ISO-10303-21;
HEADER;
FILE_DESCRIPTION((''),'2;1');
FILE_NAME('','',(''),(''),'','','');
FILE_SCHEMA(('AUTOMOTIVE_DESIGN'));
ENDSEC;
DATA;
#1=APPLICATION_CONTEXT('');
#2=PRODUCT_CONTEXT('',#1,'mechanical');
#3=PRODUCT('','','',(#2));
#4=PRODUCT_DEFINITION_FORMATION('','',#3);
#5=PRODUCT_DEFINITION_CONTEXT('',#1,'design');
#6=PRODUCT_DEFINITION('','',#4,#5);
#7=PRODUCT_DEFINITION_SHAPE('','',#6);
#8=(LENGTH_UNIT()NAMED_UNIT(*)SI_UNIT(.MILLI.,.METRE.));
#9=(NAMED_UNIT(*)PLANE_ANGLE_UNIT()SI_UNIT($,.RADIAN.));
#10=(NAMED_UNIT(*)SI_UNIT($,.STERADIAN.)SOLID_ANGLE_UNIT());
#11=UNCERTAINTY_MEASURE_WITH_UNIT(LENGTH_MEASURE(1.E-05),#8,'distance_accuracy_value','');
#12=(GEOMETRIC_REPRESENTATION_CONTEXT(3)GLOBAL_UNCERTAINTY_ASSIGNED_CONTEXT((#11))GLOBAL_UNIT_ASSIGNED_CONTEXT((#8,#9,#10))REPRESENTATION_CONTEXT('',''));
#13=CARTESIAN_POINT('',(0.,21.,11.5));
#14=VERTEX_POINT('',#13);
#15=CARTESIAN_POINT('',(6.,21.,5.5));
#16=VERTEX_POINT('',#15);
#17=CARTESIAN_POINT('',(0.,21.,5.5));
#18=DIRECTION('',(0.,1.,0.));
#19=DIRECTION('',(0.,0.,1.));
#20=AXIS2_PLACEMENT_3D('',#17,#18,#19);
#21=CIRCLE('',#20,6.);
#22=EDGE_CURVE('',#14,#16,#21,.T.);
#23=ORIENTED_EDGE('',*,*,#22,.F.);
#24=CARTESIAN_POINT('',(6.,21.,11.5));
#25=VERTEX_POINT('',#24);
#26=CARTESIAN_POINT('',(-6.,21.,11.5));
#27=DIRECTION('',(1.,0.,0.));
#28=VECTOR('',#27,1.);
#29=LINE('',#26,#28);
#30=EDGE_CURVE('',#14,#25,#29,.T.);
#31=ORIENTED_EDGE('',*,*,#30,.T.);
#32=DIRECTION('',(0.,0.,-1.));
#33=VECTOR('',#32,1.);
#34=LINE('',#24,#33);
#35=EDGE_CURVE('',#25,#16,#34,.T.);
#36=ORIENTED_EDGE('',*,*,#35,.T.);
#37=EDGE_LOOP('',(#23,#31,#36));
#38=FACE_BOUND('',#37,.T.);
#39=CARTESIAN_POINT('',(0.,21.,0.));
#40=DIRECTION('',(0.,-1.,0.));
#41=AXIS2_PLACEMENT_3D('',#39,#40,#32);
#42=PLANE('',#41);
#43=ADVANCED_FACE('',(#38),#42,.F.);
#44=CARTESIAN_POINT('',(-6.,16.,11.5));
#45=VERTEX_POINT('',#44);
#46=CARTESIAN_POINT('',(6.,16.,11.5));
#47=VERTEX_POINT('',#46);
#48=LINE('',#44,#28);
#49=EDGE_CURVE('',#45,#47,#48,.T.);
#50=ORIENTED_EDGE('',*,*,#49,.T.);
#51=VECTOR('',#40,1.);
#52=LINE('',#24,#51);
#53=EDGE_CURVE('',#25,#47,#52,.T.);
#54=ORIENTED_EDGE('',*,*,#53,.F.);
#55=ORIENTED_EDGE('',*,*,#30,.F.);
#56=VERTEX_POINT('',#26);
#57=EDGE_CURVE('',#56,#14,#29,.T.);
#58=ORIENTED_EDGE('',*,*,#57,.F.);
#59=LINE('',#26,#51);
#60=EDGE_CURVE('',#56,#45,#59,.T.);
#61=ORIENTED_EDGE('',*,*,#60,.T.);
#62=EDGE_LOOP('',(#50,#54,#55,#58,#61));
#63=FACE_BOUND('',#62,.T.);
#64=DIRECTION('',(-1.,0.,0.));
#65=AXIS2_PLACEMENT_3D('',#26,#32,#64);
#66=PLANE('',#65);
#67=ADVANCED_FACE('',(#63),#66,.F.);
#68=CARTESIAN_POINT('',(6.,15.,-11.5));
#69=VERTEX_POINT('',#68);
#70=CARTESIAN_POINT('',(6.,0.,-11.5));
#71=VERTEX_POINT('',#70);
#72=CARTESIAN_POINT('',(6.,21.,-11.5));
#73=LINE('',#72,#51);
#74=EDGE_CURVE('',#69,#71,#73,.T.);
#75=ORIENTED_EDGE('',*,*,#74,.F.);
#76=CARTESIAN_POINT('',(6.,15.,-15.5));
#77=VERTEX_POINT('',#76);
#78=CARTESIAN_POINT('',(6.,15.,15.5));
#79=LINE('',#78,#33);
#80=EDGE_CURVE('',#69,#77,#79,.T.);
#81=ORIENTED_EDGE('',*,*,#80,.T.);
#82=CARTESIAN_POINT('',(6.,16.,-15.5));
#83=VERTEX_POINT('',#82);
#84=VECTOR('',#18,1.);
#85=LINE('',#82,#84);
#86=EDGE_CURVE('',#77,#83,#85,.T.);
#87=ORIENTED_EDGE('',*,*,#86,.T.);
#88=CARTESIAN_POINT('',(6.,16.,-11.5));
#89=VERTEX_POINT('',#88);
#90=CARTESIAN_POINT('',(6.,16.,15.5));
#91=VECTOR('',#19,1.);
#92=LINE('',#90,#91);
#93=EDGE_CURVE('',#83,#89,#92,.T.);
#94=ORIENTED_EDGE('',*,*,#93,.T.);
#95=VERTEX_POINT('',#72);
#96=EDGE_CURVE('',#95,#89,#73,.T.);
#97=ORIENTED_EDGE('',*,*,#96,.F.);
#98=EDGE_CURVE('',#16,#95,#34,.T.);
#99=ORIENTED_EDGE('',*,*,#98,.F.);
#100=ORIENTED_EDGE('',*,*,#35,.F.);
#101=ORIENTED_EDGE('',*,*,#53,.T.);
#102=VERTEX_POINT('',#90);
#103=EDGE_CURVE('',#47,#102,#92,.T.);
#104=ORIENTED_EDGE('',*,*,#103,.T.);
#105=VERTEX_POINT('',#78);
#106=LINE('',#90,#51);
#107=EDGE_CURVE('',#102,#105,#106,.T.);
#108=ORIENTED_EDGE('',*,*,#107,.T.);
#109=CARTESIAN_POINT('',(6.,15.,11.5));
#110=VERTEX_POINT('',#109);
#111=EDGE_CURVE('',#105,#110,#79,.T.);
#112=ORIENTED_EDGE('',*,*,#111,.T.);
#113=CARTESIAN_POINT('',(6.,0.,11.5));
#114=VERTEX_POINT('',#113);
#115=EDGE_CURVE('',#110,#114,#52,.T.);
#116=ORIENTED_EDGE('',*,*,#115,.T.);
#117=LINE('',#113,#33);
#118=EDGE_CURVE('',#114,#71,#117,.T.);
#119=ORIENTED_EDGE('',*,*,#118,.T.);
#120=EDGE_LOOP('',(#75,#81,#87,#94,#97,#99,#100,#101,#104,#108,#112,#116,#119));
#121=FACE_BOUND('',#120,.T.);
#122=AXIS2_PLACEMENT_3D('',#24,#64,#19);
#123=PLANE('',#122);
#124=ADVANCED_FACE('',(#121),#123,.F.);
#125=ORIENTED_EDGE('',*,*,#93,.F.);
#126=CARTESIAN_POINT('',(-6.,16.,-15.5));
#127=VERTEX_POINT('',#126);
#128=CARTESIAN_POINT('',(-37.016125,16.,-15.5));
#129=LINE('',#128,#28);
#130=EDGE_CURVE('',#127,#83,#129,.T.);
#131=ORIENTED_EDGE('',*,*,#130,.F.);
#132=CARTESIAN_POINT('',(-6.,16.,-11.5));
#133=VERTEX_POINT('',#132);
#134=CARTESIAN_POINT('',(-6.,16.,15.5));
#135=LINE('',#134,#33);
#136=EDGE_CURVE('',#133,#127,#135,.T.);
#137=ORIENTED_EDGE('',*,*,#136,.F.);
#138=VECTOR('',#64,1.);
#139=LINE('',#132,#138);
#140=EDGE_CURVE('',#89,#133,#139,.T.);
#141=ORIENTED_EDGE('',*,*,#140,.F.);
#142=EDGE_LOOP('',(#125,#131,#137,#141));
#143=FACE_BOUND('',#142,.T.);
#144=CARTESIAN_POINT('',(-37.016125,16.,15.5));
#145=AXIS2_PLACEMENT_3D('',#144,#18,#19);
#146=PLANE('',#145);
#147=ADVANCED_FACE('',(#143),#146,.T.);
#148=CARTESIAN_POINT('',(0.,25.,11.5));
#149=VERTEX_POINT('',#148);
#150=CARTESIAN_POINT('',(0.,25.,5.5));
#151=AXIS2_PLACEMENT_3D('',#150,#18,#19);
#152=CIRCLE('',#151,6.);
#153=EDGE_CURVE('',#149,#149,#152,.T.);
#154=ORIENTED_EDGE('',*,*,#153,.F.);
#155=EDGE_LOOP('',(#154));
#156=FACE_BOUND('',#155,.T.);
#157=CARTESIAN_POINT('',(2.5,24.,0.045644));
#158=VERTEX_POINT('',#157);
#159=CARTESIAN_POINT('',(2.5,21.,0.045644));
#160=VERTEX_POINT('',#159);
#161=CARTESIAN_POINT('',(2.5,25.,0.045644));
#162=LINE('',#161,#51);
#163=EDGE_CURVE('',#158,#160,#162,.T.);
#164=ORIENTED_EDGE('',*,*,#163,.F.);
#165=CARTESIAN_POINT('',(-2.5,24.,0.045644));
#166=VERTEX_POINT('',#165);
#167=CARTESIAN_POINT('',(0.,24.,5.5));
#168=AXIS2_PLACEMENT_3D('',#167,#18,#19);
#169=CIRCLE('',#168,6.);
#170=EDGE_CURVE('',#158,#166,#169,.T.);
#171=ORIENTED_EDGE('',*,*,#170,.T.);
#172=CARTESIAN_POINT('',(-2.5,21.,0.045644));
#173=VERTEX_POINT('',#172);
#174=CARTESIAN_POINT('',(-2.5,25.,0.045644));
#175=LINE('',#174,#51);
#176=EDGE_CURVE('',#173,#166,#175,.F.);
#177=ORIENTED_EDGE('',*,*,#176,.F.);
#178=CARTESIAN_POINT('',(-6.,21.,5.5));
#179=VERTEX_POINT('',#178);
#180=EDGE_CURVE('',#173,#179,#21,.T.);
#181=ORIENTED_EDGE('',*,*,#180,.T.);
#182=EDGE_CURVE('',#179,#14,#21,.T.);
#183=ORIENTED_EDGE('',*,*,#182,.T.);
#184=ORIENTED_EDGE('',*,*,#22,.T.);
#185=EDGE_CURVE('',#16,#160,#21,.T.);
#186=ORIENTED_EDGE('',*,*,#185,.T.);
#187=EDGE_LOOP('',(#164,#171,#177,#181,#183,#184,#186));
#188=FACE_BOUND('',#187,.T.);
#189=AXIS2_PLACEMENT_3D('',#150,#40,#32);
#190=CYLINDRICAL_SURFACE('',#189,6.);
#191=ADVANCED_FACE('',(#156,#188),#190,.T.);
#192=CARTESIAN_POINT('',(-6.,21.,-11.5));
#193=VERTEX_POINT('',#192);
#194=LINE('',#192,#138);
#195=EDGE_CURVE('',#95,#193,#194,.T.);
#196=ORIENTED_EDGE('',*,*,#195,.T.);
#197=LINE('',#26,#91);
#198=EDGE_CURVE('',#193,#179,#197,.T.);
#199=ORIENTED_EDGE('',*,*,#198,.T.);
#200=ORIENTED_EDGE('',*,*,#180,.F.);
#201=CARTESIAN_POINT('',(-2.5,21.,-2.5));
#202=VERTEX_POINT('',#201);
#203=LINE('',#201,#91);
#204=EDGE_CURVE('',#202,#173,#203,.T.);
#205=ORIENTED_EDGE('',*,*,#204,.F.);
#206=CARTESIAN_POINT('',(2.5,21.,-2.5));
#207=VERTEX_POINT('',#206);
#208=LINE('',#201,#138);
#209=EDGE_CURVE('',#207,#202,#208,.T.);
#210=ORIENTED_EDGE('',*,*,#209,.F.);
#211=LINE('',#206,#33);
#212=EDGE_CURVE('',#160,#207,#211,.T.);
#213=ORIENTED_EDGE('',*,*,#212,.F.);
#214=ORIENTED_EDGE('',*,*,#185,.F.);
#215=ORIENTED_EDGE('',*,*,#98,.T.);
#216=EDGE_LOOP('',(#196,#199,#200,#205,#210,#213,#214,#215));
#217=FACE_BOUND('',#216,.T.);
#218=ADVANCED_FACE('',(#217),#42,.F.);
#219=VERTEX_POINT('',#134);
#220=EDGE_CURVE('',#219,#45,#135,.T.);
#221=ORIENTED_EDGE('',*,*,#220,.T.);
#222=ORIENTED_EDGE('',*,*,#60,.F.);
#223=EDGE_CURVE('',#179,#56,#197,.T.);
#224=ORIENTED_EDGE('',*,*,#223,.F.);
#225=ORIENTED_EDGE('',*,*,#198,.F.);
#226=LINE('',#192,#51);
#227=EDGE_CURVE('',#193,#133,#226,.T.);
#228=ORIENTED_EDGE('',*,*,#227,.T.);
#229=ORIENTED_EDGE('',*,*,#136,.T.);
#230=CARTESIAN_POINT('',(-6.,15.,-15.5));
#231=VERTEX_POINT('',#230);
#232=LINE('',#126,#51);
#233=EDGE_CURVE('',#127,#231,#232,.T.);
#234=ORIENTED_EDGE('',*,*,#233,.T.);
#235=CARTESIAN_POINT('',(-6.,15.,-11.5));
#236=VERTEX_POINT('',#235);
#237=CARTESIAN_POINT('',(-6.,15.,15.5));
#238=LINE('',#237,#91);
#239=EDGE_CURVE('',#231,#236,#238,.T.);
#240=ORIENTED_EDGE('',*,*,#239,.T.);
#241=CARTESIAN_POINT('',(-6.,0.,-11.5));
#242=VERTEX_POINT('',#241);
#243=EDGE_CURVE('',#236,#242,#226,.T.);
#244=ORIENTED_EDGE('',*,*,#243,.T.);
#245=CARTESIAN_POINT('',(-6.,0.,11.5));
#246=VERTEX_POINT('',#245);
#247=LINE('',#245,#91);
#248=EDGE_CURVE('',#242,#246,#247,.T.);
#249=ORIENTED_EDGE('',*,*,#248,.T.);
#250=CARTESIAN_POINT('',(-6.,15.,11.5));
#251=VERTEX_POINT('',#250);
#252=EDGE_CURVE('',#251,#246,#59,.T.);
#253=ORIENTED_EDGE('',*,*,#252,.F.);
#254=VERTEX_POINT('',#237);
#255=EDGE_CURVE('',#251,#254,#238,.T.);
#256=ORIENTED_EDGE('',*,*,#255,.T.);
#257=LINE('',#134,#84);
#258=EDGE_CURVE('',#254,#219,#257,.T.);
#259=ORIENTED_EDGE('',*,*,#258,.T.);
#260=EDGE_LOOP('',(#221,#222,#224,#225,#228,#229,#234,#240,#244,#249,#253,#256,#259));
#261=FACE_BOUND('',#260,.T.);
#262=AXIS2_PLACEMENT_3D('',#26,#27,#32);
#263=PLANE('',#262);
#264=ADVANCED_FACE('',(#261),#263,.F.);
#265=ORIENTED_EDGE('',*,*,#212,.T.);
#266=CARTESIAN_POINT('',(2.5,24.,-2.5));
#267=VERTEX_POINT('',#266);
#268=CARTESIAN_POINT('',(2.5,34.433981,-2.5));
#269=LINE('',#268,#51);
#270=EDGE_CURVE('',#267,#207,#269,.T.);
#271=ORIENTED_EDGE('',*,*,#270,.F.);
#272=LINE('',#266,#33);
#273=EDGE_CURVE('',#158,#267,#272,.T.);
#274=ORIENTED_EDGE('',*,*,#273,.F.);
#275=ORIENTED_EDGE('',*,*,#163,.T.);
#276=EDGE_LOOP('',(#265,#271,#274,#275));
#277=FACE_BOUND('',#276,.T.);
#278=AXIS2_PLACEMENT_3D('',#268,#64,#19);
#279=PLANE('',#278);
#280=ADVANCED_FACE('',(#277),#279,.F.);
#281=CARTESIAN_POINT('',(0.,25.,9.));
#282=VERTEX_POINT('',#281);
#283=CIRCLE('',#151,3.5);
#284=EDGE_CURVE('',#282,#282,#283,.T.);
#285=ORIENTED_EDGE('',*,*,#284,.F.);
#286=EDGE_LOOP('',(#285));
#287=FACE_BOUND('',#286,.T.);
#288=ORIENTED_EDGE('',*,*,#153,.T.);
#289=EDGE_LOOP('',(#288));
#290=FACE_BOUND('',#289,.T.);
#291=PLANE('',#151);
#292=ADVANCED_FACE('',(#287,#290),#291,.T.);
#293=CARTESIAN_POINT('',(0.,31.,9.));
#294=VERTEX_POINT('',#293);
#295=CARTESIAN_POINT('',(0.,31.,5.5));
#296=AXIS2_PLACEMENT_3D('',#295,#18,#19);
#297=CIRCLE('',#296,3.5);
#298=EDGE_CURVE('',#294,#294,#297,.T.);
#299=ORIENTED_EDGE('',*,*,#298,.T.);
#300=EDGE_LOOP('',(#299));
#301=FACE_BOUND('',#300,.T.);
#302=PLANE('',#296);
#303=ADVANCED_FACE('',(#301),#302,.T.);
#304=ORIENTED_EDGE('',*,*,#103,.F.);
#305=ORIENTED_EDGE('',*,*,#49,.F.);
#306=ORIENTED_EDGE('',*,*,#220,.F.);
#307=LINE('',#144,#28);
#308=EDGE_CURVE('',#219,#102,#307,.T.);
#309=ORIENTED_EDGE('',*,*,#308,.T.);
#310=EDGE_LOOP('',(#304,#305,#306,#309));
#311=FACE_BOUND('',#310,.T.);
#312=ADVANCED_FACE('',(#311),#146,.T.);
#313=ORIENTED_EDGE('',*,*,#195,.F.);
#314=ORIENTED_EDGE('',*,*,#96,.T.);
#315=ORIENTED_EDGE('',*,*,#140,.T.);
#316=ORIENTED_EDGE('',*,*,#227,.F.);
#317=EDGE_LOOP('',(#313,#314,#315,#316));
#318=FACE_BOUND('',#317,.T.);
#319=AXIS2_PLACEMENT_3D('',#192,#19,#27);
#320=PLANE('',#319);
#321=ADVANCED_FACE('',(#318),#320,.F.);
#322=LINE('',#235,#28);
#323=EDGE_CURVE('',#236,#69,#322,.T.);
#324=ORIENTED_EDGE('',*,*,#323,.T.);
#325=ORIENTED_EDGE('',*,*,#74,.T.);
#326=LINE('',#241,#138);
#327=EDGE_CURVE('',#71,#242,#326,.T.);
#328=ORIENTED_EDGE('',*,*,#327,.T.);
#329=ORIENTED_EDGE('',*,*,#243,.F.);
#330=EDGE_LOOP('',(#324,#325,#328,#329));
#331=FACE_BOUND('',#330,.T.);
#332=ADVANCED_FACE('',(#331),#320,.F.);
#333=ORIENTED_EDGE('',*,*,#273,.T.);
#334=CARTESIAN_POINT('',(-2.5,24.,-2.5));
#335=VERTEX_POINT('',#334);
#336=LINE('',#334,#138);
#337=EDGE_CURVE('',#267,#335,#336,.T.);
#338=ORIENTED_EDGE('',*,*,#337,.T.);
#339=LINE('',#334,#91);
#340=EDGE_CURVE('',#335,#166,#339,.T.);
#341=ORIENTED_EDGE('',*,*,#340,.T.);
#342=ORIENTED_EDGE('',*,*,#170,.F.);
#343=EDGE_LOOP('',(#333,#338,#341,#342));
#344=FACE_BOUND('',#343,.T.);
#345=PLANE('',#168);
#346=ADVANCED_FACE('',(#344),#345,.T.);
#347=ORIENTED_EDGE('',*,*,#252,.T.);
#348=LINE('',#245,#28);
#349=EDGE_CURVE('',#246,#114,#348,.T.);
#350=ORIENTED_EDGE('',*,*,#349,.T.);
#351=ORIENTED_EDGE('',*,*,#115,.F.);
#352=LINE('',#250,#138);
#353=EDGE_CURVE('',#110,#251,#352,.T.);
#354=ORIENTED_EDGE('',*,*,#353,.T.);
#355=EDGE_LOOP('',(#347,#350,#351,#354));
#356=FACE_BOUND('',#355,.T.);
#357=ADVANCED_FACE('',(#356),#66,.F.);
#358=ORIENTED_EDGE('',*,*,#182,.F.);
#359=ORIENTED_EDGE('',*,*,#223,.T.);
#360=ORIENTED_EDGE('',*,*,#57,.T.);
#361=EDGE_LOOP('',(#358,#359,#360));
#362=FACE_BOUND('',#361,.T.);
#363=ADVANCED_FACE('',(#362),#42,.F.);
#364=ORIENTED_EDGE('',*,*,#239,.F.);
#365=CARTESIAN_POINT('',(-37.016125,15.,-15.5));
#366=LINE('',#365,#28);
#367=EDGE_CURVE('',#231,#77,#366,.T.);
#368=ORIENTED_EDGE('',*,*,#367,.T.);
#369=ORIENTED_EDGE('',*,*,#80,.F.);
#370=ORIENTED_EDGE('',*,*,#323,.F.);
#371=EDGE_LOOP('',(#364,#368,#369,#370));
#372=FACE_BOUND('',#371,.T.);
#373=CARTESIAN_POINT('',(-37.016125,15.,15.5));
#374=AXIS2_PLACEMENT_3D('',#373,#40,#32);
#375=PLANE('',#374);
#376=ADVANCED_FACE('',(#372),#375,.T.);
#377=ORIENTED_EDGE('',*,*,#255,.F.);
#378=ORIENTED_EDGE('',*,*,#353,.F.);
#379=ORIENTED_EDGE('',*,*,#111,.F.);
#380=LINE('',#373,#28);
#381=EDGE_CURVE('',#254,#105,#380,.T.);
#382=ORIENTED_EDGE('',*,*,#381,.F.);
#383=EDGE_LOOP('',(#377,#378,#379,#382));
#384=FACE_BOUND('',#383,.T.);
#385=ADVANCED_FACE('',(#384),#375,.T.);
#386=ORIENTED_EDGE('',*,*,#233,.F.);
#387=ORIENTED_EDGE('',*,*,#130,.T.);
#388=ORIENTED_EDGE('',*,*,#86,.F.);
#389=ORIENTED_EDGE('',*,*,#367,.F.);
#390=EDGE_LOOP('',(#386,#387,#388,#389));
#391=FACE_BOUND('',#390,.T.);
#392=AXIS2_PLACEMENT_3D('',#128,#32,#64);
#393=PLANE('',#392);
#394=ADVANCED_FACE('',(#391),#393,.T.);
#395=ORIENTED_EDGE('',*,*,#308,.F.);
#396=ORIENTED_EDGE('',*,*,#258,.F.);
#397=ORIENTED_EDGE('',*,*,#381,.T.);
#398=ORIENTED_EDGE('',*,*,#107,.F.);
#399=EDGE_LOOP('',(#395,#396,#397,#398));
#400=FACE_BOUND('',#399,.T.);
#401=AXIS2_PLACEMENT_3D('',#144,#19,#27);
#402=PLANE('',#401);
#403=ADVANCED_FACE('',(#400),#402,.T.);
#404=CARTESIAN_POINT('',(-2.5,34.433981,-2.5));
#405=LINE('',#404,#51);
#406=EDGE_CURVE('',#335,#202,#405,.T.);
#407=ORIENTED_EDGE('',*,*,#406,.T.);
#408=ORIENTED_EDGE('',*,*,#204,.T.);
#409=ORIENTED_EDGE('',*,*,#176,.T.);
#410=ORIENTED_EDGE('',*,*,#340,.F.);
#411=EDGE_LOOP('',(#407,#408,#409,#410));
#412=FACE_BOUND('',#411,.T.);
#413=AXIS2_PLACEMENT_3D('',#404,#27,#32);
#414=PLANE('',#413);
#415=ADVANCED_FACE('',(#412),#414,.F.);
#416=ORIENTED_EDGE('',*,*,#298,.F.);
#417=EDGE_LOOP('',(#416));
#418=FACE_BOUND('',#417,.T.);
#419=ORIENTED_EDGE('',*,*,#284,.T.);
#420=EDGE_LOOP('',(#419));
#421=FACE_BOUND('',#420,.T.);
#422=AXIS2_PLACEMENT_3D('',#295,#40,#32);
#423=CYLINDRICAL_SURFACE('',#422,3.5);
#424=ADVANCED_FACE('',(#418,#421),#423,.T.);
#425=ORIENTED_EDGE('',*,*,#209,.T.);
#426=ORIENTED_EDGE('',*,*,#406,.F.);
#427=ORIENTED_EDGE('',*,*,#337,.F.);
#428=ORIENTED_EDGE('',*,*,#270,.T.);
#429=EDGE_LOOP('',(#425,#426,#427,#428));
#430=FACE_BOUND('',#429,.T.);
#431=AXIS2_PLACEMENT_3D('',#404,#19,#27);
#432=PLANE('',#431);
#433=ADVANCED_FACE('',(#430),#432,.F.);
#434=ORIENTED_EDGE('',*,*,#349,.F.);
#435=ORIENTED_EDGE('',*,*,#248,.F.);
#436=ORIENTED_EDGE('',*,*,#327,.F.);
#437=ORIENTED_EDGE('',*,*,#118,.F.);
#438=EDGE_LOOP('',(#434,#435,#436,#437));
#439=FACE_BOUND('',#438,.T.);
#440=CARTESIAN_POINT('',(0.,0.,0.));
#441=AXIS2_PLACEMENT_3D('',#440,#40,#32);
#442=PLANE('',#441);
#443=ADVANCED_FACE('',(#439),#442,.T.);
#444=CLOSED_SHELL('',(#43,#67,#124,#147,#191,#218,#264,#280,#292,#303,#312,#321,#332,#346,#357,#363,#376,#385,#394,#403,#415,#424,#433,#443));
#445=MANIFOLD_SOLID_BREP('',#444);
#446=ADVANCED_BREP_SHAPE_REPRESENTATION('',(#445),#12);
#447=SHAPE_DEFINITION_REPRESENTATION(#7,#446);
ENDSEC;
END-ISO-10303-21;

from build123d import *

# Parameters (mm, degrees)
SKETCH1_W           = 12
SKETCH1_H           = 23
BOSS_EXTRUDE1_DEPTH = 21
SKETCH2_W           = 31
SKETCH2_H           = 1
BOSS_EXTRUDE2_DEPTH = 12
SKETCH3_R           = 6
BOSS_EXTRUDE3_DEPTH = 4
SKETCH4_W           = 5
SKETCH4_H           = 8
BOSS_EXTRUDE4_DEPTH = 3
SKETCH5_R           = 3.5
BOSS_EXTRUDE5_DEPTH = 6


with BuildPart() as part:
    # Sketch1 → Boss-Extrude1 (new body)
    with BuildSketch(Plane(origin=(0, 0, 0), x_dir=(1, 0, 0), z_dir=(0, 1, 0))):
        Rectangle(SKETCH1_W, SKETCH1_H)
    extrude(amount=BOSS_EXTRUDE1_DEPTH)

    # Sketch2 → Boss-Extrude2 (add)
    with BuildSketch(Plane(origin=(6, 0, 0), x_dir=(0, 0, -1), z_dir=(1, 0, 0))):
        with Locations((0, 15.5)):
            Rectangle(SKETCH2_W, SKETCH2_H)
    extrude(amount=-BOSS_EXTRUDE2_DEPTH)

    # Sketch3 → Boss-Extrude3 (add)
    with BuildSketch(Plane(origin=(0, 21, 0), x_dir=(1, 0, 0), z_dir=(0, 1, 0))):
        with Locations(Location((0, -5.5, 0), (0, 0, 270))):
            Circle(SKETCH3_R)
    extrude(amount=BOSS_EXTRUDE3_DEPTH)

    # Sketch4 → Boss-Extrude4 (add)
    with BuildSketch(Plane(origin=(0, 21, 0), x_dir=(1, 0, 0), z_dir=(0, 1, 0))):
        with Locations((0, -1.5)):
            Rectangle(SKETCH4_W, SKETCH4_H)
    extrude(amount=BOSS_EXTRUDE4_DEPTH)

    # Sketch5 → Boss-Extrude5 (add)
    with BuildSketch(Plane(origin=(0, 25, 0), x_dir=(1, 0, 0), z_dir=(0, 1, 0))):
        with Locations(Location((0, -5.5, 0), (0, 0, 270))):
            Circle(SKETCH5_R)
    extrude(amount=BOSS_EXTRUDE5_DEPTH)


solid = part.part
